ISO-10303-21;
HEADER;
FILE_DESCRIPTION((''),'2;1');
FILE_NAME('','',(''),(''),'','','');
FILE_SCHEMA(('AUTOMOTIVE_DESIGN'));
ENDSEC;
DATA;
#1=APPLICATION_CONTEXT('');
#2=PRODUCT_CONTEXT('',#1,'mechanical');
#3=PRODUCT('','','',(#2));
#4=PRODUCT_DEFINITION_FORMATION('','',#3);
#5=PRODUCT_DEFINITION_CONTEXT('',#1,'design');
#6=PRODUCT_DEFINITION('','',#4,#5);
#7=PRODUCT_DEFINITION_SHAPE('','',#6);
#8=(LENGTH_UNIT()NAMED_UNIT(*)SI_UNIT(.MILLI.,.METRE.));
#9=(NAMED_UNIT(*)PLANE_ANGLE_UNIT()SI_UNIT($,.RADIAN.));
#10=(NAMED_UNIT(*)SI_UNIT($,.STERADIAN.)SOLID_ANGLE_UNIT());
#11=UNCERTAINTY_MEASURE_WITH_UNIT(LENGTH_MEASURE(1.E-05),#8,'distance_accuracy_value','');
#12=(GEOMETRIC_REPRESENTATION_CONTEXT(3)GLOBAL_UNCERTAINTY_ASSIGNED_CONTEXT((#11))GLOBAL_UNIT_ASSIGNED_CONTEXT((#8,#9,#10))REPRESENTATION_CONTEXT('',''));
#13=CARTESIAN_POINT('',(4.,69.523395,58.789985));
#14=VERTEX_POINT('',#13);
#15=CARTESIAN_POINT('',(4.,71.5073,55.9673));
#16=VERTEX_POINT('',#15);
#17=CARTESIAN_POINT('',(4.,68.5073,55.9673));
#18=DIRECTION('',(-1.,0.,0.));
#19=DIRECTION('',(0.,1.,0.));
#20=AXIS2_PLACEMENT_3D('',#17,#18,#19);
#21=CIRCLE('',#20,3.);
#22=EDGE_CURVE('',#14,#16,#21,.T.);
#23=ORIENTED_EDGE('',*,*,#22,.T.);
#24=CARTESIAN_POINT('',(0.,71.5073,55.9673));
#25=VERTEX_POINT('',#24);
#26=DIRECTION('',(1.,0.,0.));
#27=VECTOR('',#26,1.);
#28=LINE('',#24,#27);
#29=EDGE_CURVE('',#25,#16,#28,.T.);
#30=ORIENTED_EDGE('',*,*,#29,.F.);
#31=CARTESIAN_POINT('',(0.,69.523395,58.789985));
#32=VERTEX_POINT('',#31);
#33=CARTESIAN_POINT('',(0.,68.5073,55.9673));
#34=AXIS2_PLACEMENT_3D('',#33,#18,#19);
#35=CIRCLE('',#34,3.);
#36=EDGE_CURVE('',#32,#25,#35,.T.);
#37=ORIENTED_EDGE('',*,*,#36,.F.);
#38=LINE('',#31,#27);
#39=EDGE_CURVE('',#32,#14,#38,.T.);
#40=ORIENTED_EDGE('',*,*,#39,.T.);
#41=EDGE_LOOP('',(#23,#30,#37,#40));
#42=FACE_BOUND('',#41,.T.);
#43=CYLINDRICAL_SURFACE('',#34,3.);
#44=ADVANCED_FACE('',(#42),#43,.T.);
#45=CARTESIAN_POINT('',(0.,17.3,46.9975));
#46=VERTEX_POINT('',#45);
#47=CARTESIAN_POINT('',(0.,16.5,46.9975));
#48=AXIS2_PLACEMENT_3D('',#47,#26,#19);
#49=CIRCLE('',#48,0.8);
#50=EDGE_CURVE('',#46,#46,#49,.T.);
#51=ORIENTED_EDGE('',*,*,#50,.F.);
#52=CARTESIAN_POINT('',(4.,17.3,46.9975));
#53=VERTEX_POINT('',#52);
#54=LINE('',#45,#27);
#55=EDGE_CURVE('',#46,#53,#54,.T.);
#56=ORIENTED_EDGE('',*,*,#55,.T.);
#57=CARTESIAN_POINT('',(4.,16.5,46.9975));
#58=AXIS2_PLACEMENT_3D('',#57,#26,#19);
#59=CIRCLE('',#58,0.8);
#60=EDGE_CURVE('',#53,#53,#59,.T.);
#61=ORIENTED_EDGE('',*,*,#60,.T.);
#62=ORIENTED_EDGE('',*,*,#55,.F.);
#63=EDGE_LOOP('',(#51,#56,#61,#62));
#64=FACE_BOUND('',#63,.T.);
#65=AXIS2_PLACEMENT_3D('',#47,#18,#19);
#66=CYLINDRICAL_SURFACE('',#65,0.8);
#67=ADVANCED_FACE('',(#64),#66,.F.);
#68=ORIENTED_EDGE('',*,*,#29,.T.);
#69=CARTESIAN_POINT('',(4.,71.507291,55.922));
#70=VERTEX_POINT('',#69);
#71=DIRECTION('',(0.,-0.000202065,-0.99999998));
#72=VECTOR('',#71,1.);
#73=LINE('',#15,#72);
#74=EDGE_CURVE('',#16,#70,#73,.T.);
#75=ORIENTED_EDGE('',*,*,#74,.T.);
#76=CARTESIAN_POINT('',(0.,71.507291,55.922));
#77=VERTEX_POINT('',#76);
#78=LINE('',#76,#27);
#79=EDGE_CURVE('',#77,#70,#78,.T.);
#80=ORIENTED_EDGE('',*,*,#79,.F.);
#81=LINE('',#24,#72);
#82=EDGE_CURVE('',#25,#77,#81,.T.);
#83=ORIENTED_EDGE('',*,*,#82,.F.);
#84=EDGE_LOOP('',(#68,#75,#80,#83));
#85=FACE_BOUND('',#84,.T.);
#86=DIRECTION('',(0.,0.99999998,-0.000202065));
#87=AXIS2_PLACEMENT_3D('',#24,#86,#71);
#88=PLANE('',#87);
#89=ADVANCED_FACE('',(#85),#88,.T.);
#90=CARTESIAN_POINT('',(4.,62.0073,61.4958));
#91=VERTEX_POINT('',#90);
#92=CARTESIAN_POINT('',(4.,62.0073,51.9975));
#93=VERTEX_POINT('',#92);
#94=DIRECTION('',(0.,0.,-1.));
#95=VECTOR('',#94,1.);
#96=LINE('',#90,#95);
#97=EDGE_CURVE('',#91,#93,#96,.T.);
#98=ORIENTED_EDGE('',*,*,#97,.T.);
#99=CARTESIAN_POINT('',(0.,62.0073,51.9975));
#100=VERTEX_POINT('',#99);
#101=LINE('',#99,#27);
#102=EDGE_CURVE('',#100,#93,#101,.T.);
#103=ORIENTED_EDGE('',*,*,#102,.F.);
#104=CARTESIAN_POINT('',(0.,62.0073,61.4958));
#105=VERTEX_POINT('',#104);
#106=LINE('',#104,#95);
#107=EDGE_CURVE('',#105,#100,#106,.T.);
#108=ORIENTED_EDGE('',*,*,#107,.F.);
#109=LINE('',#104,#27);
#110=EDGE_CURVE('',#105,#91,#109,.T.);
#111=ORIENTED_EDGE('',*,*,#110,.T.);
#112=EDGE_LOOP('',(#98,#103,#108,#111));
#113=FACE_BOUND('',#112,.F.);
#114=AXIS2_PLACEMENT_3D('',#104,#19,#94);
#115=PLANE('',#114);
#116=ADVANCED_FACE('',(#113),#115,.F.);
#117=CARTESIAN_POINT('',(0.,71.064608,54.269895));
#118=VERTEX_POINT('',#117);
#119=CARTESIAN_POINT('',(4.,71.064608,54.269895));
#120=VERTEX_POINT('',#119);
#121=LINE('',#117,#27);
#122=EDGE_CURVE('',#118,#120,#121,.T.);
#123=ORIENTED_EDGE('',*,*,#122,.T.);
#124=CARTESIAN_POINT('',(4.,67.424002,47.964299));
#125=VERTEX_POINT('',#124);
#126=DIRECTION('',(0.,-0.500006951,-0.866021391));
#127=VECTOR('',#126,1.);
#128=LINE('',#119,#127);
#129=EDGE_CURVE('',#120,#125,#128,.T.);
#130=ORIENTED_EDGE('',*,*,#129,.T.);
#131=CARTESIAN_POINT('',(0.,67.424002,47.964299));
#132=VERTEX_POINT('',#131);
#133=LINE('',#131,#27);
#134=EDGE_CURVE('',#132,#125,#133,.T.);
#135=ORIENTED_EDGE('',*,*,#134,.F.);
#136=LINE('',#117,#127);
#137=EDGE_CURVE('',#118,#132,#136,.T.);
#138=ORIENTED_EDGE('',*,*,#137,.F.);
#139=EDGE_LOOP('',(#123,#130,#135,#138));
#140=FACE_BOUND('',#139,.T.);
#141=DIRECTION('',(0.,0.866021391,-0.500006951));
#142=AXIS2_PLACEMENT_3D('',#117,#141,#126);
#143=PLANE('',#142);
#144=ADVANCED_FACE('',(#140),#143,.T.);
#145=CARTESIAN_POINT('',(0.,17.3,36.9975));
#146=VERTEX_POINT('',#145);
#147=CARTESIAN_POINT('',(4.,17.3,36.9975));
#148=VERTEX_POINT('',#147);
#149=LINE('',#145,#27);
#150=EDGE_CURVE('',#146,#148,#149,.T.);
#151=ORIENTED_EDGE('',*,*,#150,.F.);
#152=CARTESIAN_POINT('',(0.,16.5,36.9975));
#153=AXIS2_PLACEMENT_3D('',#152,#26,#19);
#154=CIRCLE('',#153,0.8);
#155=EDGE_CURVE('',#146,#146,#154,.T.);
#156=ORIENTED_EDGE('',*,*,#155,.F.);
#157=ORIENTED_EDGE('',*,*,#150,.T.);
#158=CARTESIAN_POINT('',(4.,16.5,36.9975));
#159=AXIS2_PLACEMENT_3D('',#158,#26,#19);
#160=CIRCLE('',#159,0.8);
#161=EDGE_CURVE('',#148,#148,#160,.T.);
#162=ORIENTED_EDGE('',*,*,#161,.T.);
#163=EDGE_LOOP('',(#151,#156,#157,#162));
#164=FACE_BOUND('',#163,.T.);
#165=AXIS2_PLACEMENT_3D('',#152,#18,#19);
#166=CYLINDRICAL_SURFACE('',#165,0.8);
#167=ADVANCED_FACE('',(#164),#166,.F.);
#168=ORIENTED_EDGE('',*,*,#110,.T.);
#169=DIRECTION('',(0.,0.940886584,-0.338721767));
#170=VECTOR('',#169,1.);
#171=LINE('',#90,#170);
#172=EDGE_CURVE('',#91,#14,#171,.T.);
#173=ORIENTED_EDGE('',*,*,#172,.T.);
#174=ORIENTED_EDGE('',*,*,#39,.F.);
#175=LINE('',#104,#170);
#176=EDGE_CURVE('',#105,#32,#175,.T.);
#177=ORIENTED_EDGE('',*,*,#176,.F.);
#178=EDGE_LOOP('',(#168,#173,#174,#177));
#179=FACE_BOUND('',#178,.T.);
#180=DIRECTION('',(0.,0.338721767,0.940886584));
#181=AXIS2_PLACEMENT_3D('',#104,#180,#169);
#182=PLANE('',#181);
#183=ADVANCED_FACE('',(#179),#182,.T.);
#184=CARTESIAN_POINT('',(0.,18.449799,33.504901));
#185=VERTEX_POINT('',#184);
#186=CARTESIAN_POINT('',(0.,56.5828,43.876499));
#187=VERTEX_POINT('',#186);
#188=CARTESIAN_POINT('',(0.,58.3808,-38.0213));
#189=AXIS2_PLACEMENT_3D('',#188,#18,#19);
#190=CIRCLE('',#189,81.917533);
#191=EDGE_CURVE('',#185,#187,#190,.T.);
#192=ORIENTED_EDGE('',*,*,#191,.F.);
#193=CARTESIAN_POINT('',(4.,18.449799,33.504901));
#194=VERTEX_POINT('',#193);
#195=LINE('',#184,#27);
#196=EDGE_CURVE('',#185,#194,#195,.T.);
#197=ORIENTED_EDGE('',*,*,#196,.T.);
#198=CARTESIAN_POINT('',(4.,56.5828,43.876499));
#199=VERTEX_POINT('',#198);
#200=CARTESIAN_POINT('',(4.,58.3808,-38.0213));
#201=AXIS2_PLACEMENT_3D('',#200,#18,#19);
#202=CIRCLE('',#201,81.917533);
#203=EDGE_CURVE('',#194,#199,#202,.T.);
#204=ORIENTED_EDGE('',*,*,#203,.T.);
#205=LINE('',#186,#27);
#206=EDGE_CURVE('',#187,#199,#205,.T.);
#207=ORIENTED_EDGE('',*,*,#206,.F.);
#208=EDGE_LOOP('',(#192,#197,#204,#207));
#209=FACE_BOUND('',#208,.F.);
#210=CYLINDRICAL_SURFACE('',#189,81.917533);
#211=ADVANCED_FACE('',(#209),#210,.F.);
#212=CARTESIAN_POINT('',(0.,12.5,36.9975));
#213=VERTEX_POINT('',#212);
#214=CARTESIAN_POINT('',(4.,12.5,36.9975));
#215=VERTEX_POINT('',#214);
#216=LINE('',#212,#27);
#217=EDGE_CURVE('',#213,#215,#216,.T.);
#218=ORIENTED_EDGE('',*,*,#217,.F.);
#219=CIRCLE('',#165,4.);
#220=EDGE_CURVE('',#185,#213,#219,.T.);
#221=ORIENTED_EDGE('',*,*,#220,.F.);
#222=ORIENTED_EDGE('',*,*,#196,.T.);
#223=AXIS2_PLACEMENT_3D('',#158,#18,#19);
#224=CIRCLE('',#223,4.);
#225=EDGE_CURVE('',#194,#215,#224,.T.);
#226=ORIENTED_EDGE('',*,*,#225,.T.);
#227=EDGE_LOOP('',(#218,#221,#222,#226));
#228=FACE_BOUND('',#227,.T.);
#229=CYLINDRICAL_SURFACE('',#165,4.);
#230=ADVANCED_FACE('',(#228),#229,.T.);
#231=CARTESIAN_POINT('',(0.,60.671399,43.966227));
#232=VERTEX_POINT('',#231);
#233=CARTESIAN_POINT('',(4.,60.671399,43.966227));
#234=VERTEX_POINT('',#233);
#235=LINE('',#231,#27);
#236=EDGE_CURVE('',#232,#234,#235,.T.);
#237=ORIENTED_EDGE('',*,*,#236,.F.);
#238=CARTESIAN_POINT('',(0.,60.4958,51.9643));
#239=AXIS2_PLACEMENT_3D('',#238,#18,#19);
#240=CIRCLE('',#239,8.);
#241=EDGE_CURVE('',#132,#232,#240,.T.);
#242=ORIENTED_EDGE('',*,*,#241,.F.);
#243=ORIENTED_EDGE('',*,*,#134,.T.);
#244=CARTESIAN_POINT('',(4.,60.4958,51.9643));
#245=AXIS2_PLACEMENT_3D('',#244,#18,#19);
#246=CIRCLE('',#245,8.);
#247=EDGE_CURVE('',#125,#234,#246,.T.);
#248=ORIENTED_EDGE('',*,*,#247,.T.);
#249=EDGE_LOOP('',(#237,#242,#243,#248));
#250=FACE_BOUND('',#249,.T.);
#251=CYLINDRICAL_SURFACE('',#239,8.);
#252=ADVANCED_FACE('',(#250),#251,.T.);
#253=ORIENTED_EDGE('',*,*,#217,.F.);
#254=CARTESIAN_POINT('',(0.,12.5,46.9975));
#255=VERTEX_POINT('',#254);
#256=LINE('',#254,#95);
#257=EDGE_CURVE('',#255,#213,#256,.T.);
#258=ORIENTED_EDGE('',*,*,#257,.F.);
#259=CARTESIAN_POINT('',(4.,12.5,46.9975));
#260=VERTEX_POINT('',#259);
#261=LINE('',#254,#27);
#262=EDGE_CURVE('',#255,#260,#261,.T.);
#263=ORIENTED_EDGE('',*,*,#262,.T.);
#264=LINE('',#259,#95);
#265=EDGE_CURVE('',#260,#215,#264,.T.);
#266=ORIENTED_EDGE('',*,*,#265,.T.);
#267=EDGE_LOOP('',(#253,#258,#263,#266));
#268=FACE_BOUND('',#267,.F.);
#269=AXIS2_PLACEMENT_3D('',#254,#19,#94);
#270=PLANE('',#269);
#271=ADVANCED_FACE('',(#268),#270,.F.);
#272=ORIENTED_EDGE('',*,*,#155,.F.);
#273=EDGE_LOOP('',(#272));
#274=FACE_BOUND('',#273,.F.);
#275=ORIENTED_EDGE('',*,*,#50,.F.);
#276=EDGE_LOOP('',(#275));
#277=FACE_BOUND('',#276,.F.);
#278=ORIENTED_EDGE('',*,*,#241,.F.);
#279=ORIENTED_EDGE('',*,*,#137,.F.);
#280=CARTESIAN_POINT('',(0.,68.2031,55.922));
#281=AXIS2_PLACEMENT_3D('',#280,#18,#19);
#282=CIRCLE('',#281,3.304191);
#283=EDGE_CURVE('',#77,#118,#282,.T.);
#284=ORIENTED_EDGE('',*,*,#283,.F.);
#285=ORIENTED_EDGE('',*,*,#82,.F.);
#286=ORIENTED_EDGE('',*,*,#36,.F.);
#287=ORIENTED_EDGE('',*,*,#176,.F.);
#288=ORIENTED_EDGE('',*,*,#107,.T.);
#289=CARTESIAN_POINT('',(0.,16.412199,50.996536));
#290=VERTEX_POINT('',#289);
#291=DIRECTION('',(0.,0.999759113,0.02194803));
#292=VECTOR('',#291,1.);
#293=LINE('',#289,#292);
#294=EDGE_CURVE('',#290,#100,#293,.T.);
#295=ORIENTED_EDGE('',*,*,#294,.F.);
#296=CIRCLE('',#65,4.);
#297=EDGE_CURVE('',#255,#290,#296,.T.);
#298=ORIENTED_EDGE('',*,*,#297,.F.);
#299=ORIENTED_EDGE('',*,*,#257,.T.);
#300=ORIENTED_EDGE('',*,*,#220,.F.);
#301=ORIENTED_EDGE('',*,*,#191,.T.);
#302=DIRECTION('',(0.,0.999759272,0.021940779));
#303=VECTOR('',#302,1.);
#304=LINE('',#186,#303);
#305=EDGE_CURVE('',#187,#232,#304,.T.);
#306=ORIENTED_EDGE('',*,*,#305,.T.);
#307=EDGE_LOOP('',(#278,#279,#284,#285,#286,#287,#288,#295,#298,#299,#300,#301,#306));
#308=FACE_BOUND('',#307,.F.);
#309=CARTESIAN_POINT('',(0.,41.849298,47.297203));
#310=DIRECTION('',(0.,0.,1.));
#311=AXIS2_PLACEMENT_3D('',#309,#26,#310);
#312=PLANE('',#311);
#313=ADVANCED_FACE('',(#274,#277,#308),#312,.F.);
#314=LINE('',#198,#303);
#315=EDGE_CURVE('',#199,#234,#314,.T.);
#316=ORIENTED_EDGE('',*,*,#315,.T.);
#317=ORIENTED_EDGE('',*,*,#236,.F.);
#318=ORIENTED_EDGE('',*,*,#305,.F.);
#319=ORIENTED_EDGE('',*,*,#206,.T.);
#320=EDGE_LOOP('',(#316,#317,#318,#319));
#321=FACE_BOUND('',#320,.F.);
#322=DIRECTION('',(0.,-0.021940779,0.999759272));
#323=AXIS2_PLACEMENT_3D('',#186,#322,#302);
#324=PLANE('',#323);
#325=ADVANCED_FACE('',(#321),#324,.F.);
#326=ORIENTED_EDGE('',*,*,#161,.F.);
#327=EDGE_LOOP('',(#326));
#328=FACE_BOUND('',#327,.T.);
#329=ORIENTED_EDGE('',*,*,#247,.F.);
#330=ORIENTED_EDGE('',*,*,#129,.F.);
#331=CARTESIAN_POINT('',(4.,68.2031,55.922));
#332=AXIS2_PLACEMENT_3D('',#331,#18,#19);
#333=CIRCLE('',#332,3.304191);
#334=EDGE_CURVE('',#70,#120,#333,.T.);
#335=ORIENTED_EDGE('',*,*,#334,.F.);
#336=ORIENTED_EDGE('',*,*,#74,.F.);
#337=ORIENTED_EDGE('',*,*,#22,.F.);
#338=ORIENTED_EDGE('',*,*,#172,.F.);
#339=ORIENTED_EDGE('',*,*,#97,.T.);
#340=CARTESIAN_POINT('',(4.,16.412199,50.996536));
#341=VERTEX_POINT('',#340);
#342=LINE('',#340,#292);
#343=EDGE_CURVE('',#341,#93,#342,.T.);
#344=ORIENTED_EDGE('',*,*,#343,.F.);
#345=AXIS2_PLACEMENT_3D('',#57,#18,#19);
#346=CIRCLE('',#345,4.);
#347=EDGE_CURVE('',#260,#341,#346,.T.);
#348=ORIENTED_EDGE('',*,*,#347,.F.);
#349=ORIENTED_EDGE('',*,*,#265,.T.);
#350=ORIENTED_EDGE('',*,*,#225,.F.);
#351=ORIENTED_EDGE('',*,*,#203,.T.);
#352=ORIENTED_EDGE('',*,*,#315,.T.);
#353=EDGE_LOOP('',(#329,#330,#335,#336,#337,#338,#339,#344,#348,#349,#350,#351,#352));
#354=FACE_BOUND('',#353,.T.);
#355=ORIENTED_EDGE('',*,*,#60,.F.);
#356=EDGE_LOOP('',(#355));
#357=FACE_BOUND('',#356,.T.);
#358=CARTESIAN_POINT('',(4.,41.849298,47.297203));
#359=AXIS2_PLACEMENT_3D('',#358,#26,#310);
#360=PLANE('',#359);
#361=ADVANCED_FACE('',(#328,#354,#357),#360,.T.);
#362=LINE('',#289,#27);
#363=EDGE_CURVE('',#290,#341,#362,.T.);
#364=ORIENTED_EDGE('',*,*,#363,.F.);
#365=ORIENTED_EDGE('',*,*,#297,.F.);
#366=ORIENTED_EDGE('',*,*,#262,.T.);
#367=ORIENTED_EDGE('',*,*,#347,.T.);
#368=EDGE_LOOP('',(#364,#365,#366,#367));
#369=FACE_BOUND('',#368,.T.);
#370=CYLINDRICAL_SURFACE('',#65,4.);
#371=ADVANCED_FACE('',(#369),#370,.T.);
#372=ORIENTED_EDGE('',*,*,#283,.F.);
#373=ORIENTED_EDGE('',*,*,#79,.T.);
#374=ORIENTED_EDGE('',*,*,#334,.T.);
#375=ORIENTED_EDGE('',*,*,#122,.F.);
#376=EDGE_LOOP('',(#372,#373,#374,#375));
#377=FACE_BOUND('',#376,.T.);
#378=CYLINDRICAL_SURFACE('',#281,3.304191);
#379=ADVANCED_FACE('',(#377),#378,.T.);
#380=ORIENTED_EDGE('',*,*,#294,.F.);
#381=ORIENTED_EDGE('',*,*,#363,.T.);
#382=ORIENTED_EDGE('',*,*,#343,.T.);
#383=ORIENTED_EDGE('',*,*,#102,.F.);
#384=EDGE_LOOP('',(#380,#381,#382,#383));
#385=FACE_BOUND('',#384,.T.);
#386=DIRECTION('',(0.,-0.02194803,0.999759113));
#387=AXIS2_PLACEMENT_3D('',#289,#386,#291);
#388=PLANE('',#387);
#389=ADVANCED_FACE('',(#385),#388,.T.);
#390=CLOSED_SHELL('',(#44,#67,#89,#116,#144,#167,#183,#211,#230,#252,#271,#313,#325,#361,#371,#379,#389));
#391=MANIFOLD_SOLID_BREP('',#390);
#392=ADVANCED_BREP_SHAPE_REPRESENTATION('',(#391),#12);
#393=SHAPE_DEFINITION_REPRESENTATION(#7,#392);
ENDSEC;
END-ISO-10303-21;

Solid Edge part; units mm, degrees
sketch "Sketch1" plane through (0, 0, 0) normal (1, 0, 0) x (0, 1, 0)
  circle A0 centre (16.5, 36.9975) radius 0.8
  line L0 (12.5, 46.9975) -> (12.5, 36.9975)
  line L1 (16.4122, 50.9965) -> (62.0073, 51.9975)
  line L2 (62.0073, 61.4958) -> (62.0073, 51.9975)
  line L3 (62.0073, 61.4958) -> (69.5234, 58.79)
  arc A1 (69.5234, 58.79) -> (71.5073, 55.9673) centre (68.5073, 55.9673) cw
  line L4 (71.5073, 55.9673) -> (71.5073, 55.922)
  arc A2 (71.5073, 55.922) -> (71.0646, 54.2699) centre (68.2031, 55.922) cw
  line L5 (71.0646, 54.2699) -> (67.424, 47.9643)
  arc A3 (67.424, 47.9643) -> (60.6714, 43.9662) centre (60.4958, 51.9643) cw
  line L6 (56.5828, 43.8765) -> (60.6714, 43.9662)
  arc A4 (18.4498, 33.5049) -> (56.5828, 43.8765) centre (58.3808, -38.0213) cw
  arc A5 (18.4498, 33.5049) -> (12.5, 36.9975) centre (16.5, 36.9975) cw
  arc A6 (12.5, 46.9975) -> (16.4122, 50.9965) centre (16.5, 46.9975) cw
  circle A7 centre (16.5, 46.9975) radius 0.8
extrude "Protrusion1" add sketch "Sketch1" along normal blind 4
